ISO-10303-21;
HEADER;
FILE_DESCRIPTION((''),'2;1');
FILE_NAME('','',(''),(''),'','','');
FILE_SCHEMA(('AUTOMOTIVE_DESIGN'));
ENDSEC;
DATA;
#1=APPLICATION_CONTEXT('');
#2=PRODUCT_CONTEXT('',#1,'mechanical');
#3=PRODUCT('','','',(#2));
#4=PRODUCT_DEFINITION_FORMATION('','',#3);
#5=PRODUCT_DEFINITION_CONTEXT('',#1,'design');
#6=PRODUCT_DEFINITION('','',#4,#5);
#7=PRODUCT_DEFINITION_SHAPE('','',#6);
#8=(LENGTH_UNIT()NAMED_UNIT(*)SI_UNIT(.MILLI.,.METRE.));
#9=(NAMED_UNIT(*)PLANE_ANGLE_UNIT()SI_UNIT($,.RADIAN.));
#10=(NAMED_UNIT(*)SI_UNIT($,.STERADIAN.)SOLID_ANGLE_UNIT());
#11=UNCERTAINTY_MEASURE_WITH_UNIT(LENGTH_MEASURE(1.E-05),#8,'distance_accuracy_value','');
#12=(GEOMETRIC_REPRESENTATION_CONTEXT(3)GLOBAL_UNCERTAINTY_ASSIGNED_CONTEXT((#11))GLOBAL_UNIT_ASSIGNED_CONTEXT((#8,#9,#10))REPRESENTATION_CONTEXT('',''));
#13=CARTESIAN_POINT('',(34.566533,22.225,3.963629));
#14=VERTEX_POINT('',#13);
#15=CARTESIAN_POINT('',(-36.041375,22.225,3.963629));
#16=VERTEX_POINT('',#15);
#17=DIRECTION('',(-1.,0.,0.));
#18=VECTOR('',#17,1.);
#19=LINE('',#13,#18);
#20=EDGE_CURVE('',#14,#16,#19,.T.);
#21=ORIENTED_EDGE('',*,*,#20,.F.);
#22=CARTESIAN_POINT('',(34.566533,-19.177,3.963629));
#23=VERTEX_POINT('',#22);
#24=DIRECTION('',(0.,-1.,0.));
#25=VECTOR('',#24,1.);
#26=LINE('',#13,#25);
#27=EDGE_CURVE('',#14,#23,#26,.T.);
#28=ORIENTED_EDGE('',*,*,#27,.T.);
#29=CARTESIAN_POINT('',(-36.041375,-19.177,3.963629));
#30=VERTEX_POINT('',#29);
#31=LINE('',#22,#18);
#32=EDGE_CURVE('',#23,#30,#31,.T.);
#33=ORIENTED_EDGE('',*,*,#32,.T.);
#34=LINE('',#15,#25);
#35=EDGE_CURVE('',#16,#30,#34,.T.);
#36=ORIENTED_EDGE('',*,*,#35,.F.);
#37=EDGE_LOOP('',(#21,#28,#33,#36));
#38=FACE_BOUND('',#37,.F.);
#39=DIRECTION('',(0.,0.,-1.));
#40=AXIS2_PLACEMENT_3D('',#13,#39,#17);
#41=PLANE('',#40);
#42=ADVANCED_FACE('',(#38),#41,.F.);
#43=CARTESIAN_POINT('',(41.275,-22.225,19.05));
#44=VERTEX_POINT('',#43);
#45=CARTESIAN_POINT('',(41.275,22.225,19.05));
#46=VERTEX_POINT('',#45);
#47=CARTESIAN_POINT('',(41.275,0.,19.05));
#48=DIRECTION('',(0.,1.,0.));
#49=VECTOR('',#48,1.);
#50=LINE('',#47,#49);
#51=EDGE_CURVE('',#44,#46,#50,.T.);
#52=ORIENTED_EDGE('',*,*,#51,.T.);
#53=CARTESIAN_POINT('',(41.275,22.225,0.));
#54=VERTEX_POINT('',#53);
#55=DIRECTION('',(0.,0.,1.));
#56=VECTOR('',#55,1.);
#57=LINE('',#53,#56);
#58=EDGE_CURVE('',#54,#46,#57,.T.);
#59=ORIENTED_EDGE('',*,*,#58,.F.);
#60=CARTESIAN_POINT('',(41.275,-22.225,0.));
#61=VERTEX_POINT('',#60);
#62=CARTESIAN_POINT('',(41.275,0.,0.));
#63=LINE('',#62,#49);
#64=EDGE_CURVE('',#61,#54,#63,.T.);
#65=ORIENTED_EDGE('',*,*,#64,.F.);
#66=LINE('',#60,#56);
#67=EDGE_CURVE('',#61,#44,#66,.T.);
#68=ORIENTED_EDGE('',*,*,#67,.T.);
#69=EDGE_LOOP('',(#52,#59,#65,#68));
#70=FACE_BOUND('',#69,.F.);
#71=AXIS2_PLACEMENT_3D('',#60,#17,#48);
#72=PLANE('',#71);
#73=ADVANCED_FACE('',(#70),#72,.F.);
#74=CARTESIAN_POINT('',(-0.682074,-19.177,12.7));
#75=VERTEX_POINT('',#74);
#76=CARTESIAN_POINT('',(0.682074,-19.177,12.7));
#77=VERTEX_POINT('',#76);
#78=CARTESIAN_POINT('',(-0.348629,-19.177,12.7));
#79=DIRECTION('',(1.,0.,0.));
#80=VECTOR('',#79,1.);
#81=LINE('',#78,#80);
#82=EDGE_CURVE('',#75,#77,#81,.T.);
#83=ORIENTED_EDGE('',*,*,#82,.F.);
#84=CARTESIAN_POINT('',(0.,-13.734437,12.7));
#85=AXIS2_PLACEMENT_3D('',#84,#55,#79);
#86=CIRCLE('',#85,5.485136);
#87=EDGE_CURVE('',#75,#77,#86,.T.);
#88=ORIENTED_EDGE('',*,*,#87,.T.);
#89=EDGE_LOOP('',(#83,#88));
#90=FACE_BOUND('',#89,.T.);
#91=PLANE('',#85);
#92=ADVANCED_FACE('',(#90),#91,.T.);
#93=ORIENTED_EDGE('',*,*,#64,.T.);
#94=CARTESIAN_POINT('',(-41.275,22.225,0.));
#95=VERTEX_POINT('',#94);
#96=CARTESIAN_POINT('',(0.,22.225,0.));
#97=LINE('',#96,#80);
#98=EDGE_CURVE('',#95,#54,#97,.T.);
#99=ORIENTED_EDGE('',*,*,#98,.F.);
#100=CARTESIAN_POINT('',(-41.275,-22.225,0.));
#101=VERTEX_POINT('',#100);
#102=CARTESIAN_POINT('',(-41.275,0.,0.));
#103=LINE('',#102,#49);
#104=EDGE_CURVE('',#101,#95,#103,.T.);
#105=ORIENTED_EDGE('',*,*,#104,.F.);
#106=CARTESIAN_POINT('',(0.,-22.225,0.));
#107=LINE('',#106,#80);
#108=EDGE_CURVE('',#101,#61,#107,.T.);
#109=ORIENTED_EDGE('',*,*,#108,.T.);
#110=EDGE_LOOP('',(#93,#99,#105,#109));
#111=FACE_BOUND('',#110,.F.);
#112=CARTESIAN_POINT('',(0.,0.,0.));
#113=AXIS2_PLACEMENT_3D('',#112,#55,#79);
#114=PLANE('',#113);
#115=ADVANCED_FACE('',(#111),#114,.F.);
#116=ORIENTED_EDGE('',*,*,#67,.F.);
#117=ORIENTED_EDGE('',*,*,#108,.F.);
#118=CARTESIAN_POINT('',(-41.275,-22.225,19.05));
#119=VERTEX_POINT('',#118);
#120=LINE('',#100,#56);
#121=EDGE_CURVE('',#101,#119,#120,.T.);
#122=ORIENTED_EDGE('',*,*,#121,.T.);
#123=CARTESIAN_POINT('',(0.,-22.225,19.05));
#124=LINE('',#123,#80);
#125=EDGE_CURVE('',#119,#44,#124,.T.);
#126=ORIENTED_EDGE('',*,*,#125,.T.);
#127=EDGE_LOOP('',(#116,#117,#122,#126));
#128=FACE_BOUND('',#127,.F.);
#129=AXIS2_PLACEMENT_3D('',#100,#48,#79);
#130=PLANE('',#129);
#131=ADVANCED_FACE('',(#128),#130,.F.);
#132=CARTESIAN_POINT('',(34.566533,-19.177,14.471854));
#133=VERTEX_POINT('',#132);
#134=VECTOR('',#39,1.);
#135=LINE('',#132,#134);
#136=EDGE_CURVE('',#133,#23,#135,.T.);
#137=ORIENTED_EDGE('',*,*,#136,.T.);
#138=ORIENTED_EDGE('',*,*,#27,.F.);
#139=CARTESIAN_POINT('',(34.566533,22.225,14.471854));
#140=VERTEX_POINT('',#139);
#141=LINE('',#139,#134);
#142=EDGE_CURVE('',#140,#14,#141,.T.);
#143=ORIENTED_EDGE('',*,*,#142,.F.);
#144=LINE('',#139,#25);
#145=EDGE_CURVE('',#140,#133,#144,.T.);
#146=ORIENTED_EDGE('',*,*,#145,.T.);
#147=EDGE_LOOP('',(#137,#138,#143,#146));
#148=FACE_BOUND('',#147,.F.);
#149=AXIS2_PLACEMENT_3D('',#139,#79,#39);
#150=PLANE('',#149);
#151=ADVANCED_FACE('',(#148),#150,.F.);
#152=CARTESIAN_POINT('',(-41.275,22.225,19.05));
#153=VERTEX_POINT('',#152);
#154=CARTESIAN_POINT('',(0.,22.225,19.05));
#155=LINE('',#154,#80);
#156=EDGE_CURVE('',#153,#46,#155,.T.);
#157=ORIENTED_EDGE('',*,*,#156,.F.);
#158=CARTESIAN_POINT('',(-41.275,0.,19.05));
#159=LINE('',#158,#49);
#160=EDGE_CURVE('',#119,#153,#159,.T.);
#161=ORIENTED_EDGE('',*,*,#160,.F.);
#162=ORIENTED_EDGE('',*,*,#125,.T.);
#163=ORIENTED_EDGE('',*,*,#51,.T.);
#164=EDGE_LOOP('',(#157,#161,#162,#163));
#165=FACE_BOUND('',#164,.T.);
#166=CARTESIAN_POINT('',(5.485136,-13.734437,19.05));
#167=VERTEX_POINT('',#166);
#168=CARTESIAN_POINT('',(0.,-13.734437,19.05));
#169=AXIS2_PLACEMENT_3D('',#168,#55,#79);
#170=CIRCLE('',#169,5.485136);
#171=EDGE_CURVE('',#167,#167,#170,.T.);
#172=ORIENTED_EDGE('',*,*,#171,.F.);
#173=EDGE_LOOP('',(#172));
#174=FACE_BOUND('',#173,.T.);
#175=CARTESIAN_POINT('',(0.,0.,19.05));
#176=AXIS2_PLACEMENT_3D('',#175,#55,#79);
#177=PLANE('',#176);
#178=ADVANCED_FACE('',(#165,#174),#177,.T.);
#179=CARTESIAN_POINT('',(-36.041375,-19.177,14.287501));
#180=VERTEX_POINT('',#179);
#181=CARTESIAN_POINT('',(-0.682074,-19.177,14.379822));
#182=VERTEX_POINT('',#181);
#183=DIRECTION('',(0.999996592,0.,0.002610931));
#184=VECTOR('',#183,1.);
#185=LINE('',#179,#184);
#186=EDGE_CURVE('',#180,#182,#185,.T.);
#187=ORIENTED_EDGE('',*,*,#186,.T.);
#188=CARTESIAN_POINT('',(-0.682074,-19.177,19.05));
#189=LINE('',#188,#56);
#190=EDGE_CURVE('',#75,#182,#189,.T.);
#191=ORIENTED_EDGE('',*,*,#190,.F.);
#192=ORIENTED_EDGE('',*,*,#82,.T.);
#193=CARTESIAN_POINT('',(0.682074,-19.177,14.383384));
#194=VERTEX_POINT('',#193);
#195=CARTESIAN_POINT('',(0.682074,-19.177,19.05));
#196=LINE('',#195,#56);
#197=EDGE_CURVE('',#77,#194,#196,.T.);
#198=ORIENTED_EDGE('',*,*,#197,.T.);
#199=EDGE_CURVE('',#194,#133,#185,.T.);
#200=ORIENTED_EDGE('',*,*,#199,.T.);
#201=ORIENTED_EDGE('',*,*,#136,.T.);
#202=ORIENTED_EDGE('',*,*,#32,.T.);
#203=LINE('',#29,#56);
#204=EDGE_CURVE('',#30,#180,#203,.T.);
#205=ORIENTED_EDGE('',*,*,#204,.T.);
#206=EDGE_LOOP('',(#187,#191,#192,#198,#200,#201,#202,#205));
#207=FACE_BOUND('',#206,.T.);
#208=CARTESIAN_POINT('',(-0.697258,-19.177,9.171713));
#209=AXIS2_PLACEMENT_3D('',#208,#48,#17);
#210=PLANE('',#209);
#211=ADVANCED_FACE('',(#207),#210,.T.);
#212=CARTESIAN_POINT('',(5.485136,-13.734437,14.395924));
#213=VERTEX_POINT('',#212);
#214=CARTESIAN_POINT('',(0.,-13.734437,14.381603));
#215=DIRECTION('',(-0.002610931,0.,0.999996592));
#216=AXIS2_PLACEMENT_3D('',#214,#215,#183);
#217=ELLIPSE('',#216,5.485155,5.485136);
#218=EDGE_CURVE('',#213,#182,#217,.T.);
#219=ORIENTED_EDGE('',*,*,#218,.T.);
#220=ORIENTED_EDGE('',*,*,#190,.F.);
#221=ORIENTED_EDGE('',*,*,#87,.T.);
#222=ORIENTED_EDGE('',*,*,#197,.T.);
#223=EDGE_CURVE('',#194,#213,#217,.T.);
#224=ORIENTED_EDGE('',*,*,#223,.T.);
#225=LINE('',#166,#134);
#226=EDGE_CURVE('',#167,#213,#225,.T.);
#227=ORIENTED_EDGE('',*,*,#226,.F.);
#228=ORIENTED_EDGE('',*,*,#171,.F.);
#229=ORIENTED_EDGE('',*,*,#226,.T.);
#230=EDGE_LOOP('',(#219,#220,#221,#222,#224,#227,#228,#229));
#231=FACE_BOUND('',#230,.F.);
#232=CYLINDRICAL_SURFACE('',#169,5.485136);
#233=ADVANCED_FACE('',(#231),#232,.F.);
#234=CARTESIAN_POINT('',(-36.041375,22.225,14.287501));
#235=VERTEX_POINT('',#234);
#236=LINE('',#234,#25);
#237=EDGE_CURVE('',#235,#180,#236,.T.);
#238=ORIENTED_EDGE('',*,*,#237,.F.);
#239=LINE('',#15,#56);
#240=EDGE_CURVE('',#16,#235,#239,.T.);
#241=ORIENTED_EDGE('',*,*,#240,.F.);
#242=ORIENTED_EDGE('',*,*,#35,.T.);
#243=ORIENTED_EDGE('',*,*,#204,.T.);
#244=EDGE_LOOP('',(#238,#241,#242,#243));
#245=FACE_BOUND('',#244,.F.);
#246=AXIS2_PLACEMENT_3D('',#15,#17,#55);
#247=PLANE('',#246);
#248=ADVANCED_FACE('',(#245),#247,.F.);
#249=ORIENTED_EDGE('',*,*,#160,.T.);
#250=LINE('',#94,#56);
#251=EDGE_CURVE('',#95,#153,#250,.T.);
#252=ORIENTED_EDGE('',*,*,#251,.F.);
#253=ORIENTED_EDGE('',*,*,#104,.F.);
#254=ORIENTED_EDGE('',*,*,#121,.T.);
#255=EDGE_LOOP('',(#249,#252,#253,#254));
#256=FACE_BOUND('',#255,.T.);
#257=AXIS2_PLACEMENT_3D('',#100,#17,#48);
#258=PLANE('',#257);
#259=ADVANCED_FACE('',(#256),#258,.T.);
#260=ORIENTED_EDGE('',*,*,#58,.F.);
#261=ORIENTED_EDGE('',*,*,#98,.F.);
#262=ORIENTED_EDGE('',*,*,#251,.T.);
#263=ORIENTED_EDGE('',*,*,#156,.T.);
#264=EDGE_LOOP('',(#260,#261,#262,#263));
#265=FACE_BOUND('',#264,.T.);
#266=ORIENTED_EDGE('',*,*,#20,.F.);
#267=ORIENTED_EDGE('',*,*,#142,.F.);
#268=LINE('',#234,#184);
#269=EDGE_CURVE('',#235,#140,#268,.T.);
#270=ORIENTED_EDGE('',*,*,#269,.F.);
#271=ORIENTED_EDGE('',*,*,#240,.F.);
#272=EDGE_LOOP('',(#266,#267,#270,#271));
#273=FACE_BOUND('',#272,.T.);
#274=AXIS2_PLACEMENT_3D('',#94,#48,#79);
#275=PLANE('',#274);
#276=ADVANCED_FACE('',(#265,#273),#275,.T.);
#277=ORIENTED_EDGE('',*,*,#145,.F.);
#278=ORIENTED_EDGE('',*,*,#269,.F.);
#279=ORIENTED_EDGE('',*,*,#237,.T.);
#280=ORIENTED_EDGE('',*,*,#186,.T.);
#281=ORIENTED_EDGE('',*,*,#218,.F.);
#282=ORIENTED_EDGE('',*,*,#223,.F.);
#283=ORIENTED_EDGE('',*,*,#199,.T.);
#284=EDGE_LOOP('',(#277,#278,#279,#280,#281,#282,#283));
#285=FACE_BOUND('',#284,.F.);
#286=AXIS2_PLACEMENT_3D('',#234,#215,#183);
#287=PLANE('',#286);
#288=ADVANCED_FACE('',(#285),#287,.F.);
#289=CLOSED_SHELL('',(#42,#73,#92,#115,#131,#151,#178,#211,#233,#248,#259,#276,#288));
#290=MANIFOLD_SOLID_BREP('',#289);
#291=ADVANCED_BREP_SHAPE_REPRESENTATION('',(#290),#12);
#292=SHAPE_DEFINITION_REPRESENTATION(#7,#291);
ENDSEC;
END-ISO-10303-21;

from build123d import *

# Parameters (mm, degrees)
F0_W     = 82.55
F0_H     = 44.45
F1_DEPTH = 19.05
F3_DEPTH = 41.402
F4_R     = 5.485136
F5_DEPTH = 6.35


with BuildPart() as f1:
    # F0 (on Top) → F1 (new body)
    with BuildSketch(Plane.XY):
        Rectangle(F0_W, F0_H)
    extrude(amount=F1_DEPTH)

    # F2 (on face) → F3 (cut)
    with BuildSketch(Plane(origin=(0, 22.225, 0), x_dir=(-1, 0, 0), z_dir=(0, 1, 0))):
        Polygon((36.041375, 14.287501), (-34.566533, 14.471854), (-34.566533, 3.963629), (36.041375, 3.963629), align=None)
    extrude(amount=-F3_DEPTH, mode=Mode.SUBTRACT)

    # F4 (on face) → F5 (cut)
    with BuildSketch(Plane.XY.offset(19.05)):
        with Locations((0, -13.734437)):
            Circle(F4_R)
    extrude(amount=-F5_DEPTH, mode=Mode.SUBTRACT)


solid = f1.part
